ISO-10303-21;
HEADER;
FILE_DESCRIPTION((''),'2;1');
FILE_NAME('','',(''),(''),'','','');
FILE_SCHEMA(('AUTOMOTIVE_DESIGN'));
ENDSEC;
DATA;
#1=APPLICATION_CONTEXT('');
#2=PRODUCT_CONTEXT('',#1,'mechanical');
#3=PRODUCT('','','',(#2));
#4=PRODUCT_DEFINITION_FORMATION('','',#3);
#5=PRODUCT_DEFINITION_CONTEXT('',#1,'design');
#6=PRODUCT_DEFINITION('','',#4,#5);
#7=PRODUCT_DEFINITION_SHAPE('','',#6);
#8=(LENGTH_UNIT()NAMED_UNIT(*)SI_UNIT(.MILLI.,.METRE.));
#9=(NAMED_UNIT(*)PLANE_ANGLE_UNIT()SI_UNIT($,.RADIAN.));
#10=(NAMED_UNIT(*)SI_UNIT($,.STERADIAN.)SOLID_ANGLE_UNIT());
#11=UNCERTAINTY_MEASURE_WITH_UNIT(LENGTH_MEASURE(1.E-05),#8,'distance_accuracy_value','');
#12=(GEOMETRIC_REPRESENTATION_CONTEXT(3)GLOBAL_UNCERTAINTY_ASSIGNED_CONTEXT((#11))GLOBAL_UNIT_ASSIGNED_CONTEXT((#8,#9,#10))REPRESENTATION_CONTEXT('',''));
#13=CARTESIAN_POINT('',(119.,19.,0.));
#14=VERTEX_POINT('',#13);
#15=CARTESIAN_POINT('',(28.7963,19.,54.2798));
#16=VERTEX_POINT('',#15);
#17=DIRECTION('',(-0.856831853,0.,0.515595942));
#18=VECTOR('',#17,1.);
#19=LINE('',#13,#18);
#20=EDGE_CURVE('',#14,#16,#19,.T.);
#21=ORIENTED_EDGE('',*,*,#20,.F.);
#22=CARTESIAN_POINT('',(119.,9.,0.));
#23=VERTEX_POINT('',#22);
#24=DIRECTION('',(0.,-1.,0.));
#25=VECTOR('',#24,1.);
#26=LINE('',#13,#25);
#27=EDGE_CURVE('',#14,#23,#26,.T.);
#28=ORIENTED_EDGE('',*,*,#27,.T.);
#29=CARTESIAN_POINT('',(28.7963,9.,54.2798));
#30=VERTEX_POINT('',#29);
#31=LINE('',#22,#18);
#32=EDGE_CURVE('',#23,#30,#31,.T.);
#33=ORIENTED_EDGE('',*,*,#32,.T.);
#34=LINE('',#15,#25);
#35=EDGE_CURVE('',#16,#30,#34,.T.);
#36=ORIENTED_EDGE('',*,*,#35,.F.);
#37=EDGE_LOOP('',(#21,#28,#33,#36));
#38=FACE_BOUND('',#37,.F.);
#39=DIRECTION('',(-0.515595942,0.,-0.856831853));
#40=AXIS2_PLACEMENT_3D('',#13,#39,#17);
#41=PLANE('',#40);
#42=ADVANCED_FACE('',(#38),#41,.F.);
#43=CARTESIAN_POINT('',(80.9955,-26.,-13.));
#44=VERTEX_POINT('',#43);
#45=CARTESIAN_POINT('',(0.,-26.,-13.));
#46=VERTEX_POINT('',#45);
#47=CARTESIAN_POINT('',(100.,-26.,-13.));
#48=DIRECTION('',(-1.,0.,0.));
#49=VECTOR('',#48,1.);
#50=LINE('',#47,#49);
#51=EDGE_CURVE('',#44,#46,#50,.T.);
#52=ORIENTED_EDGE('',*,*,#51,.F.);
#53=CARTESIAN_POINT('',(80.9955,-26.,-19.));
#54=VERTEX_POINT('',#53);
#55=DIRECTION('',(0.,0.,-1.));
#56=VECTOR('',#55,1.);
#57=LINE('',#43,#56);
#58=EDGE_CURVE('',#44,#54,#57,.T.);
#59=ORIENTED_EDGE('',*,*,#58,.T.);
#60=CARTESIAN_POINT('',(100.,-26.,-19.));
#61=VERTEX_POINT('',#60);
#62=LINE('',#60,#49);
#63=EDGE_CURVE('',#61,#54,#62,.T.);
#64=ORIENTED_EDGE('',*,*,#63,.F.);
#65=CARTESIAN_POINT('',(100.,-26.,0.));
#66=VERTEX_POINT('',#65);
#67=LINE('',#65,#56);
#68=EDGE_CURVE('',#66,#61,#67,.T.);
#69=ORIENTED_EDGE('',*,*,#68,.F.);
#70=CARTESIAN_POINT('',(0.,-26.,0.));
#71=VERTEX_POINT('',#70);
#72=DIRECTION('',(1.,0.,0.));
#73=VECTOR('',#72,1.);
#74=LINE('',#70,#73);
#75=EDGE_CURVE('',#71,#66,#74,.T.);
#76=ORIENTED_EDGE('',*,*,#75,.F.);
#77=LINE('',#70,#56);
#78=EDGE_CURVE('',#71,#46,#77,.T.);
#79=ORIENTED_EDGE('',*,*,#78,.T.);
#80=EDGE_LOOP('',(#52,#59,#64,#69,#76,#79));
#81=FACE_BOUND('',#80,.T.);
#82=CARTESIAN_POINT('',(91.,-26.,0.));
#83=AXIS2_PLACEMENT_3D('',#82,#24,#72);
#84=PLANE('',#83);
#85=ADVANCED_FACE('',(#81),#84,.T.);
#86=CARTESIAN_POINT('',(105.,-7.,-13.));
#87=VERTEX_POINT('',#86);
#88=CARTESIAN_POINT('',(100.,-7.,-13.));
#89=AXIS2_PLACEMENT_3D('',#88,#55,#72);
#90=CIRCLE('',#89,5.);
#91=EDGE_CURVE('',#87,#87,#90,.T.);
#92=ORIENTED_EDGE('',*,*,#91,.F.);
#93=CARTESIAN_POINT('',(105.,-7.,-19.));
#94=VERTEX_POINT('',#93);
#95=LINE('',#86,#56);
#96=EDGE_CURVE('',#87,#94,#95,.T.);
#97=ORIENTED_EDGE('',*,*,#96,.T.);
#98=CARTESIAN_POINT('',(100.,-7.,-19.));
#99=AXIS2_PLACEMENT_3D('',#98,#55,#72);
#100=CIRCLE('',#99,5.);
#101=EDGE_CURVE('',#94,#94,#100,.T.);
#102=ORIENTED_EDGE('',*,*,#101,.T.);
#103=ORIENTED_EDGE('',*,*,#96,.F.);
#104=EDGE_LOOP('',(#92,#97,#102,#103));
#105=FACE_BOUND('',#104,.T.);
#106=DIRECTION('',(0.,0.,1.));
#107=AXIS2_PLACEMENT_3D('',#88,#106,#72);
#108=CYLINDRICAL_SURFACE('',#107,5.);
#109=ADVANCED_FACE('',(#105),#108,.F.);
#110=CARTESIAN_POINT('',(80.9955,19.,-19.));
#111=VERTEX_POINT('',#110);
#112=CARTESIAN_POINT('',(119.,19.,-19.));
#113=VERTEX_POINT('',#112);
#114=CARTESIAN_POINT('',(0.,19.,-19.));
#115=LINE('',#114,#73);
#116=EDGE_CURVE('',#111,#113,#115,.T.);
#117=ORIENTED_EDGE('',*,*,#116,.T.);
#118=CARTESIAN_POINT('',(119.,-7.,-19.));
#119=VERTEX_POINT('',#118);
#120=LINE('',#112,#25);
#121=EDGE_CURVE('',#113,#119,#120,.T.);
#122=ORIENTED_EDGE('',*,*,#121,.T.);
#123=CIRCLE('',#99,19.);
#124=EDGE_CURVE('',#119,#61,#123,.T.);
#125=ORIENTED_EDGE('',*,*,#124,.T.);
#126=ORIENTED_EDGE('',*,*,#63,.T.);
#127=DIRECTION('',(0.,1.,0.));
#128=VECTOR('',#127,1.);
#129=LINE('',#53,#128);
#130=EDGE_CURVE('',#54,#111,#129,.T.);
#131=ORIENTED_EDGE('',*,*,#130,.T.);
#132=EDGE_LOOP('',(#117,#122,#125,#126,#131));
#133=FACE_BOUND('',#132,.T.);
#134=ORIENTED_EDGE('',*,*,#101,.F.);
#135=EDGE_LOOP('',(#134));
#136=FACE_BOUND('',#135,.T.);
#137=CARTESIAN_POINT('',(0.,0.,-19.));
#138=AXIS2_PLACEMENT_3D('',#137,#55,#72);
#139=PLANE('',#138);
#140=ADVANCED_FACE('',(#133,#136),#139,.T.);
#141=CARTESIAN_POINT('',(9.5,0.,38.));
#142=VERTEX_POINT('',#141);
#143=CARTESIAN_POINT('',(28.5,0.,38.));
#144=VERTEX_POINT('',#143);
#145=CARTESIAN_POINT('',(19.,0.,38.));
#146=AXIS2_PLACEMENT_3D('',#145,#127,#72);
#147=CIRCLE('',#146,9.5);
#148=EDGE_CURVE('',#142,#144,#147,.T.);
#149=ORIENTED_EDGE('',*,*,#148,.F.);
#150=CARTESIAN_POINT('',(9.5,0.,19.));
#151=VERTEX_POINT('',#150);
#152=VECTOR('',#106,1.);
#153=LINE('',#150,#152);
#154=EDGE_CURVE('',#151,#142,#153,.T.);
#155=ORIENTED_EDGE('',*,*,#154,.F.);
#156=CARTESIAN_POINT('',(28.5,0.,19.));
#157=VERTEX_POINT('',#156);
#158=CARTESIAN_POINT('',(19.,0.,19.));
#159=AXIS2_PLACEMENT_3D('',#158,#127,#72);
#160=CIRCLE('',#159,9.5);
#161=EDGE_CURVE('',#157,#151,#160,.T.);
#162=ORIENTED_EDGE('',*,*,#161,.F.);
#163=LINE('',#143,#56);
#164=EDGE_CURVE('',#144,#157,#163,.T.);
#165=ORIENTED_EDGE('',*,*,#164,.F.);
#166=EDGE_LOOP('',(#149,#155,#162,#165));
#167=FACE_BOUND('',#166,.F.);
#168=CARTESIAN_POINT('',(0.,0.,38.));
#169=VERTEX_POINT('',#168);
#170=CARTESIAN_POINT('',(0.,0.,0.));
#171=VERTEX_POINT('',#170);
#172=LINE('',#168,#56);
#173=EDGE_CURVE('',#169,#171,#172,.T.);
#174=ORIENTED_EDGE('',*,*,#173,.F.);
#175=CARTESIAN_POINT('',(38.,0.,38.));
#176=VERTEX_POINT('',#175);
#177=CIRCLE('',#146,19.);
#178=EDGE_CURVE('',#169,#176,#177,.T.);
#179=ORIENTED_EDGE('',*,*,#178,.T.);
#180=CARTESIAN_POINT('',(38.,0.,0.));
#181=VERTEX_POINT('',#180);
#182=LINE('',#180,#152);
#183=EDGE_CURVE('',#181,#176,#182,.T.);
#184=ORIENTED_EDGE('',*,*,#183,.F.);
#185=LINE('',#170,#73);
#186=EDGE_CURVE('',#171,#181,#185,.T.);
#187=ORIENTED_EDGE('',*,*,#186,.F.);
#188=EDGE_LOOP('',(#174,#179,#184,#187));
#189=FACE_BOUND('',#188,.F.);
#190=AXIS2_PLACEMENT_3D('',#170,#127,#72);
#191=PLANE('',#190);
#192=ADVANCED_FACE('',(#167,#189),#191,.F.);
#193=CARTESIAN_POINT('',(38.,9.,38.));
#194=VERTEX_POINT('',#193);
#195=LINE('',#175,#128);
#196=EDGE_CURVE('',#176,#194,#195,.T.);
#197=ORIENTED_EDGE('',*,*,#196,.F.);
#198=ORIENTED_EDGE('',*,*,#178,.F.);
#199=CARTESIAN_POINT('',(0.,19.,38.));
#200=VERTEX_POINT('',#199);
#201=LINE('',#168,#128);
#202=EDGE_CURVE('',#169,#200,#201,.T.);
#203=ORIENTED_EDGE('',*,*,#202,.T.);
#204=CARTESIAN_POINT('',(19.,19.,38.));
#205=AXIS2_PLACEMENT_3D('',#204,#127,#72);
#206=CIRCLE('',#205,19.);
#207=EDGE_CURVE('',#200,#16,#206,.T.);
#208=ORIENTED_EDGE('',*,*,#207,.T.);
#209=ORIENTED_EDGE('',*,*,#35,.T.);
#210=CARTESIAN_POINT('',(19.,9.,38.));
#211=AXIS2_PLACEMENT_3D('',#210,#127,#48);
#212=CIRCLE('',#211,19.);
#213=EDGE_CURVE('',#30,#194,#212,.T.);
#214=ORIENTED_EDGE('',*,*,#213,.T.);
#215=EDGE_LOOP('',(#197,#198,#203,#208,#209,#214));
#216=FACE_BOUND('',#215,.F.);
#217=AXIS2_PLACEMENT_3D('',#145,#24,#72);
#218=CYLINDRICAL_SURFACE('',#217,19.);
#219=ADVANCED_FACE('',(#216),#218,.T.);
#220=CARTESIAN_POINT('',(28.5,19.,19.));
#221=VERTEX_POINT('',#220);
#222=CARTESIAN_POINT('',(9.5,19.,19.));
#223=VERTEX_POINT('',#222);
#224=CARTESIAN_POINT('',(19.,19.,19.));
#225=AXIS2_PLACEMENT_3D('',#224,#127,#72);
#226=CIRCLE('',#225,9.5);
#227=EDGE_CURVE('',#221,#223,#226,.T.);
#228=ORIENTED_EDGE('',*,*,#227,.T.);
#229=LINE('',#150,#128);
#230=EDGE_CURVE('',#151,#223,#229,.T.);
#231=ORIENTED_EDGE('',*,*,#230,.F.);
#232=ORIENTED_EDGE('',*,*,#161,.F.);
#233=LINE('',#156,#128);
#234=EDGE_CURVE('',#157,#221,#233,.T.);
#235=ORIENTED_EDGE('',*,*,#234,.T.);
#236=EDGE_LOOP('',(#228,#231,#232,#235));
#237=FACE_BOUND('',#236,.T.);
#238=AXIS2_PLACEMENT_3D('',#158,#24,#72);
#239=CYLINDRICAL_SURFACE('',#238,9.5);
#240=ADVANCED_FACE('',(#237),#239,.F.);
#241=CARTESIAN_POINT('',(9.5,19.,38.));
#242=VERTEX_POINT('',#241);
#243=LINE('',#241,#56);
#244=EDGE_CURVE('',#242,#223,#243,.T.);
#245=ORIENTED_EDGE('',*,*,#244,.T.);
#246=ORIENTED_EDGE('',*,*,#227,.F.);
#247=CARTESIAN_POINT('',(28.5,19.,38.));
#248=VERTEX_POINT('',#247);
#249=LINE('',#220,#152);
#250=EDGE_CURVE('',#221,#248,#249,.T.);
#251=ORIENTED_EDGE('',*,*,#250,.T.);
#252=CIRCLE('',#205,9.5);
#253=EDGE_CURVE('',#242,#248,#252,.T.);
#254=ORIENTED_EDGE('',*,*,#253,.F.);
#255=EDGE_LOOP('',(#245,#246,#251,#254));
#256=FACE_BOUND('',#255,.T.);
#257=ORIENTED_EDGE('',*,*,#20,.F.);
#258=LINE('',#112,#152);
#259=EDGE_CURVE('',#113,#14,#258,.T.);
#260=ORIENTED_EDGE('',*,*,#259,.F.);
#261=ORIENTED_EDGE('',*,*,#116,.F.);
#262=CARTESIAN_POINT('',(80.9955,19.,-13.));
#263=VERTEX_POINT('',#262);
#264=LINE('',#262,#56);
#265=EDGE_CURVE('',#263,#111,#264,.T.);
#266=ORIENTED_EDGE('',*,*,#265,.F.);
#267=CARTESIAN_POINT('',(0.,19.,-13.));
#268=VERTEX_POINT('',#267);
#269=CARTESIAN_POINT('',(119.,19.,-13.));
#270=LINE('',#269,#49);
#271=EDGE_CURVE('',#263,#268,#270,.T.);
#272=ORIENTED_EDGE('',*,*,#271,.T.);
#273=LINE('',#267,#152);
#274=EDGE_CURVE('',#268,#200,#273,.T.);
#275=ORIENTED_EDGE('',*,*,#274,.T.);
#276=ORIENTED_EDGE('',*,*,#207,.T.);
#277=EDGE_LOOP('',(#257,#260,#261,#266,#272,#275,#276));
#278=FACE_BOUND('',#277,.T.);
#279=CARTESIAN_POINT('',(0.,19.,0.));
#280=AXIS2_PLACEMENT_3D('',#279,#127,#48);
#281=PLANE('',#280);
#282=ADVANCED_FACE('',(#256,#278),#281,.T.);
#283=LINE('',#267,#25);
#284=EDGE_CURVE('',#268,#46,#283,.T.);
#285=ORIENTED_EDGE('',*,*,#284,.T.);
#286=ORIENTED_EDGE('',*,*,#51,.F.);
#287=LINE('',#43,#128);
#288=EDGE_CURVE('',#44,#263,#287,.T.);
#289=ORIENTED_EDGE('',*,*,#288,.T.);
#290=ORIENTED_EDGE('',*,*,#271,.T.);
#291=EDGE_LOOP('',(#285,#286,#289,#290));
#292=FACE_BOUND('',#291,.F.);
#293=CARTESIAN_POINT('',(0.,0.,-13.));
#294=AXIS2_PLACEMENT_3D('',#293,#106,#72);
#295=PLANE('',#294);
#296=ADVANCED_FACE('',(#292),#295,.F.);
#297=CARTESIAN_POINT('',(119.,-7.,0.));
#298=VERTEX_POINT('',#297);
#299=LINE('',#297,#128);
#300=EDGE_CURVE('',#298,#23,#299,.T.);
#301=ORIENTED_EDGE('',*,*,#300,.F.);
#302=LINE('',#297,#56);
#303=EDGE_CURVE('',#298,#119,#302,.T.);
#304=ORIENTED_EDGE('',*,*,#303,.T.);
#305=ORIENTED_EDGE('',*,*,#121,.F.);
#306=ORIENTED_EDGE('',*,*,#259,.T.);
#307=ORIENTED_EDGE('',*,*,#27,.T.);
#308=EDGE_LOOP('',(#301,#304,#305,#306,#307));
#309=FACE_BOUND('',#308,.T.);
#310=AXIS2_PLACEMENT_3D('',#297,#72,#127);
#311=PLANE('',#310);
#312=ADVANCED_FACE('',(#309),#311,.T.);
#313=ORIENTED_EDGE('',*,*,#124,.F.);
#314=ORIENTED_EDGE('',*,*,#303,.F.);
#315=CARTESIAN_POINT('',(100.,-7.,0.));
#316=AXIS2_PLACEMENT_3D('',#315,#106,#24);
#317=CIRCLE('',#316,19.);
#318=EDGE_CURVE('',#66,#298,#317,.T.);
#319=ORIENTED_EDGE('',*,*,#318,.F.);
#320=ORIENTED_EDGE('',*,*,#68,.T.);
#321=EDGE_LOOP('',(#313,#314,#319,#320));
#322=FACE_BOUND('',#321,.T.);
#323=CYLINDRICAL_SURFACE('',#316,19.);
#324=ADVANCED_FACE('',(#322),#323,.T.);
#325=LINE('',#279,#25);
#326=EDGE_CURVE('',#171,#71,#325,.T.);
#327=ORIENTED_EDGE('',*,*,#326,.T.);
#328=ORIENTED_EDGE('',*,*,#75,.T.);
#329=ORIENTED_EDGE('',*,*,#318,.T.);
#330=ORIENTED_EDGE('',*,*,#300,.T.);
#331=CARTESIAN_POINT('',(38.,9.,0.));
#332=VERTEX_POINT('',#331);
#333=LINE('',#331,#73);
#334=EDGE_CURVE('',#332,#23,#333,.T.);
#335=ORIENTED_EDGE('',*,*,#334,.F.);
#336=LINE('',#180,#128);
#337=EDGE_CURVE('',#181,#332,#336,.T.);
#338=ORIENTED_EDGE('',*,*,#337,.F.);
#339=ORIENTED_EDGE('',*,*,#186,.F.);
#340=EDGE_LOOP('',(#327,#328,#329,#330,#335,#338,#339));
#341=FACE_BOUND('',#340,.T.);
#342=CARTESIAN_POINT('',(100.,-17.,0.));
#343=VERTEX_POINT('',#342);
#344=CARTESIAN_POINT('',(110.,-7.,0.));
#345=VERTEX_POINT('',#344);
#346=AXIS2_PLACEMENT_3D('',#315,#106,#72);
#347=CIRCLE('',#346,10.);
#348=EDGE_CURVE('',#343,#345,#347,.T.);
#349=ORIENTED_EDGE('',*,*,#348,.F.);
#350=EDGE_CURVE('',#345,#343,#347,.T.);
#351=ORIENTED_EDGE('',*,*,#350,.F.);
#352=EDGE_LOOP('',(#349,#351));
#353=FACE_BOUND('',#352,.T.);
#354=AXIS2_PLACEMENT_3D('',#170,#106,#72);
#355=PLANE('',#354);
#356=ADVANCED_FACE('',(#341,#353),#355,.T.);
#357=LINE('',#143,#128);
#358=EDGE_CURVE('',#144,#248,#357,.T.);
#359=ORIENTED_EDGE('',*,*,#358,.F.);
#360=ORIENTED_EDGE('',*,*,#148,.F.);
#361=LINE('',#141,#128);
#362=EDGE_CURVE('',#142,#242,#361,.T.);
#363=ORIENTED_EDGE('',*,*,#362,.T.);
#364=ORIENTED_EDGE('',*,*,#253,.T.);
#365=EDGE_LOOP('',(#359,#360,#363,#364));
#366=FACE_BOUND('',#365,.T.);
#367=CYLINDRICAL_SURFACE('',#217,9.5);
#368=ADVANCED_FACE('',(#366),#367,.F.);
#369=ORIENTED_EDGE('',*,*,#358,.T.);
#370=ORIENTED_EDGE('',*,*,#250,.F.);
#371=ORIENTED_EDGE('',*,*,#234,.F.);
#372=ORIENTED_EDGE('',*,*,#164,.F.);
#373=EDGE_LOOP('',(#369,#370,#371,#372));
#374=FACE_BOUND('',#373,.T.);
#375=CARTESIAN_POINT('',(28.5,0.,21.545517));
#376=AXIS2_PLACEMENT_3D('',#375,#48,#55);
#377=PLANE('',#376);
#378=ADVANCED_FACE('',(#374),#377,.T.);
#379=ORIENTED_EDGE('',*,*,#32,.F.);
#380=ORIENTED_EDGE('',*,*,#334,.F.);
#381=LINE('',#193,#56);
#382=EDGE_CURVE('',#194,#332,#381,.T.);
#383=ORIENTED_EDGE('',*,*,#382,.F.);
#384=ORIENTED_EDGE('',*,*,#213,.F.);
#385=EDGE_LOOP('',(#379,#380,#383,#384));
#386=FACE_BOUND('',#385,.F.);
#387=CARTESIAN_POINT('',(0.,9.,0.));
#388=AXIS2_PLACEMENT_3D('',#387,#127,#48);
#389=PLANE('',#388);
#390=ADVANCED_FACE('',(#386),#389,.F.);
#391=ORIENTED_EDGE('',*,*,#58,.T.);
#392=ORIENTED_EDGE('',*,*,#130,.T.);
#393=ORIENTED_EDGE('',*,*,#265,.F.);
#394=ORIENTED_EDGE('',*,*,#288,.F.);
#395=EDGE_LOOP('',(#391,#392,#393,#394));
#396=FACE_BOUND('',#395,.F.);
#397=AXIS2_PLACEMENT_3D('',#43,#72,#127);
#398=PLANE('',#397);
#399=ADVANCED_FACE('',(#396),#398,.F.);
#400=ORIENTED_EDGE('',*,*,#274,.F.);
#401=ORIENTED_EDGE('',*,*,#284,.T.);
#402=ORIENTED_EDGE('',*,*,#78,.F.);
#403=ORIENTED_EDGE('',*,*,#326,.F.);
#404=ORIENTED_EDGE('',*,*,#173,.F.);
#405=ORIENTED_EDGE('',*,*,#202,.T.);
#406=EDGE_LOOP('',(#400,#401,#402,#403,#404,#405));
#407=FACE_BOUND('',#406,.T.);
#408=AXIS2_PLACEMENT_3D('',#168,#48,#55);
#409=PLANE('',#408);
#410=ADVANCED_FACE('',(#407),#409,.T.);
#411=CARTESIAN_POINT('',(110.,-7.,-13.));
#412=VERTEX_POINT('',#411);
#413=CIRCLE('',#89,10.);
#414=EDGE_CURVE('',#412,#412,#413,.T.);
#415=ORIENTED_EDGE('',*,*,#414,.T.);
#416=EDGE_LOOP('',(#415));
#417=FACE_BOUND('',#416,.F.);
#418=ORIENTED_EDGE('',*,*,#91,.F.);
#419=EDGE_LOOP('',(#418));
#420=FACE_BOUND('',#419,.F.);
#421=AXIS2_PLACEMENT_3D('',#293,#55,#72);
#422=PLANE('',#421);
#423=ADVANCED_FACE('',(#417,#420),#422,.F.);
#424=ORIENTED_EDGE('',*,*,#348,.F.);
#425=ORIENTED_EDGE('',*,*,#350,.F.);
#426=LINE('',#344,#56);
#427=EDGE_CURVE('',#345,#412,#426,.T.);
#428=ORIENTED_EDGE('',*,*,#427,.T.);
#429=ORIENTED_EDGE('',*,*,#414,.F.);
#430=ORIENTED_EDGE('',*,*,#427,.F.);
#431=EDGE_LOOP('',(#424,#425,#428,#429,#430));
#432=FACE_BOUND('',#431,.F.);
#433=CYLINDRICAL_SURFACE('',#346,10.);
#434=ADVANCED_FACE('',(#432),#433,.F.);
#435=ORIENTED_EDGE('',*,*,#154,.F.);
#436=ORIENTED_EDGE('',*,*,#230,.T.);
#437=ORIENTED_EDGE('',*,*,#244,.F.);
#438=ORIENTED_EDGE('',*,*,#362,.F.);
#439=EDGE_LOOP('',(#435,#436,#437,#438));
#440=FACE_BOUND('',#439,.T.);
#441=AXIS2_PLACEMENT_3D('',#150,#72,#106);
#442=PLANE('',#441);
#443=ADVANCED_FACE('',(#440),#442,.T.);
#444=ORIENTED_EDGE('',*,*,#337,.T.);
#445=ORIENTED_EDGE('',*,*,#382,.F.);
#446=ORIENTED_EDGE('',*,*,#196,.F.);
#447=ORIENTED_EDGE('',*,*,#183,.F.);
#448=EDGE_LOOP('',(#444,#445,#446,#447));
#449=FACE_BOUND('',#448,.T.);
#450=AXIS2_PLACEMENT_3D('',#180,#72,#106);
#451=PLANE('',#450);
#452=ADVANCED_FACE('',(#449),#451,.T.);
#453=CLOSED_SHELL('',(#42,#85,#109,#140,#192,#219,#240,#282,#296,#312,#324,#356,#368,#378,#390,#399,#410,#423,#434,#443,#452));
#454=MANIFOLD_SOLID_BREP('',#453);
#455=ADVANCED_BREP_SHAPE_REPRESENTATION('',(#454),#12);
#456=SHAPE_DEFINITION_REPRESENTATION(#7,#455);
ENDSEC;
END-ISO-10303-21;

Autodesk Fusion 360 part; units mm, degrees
sketch "Sketch1" plane through (0, 0, 0) normal (0, 1, 0) x (1, 0, 0)
  line L0 (0, 0) -> (38, 0)
  line L1 (38, 0) -> (38, -38)
  line L2 (38, -38) -> (0, -38)
  line L3 (0, -38) -> (0, 0)
  circle A0 centre (19, -38) radius 19
  line L4 (9.5, -38) -> (28.5, -38)
  line L5 (28.5, -38) -> (28.5, -19)
  line L6 (28.5, -19) -> (9.5, -19)
  line L7 (9.5, -19) -> (9.5, -38)
  circle A1 centre (19, -38) radius 9.5
  circle A2 centre (19, -19) radius 9.5
  dimension "d1" = 38
  dimension "d2" = 38
  dimension "d3" = 19
  dimension "d4" = 19
  dimension "d5" = 19
  dimension "d6" = 9.5
extrude "Extrude1" add sketch "Sketch1" along normal blind 19 contours L0 L1 L3 A0 L5 L7 A2 | L2 A0 L7 | L2 A0 A1 | L2 A0 L5 makes body 1
sketch "Sketch1 (2)" plane through (0, 19, 0) normal (0, 1, 0) x (-1, 0, 0) in component "sideline"
  arc A0 (-28.5, 19) -> (-9.5, 19) centre (-19, 19) ccw
  line L0 (-28.5, 19) -> (-28.5, 38)
  arc A1 (-9.5, 38) -> (-28.5, 38) centre (-19, 38) ccw
  line L1 (-9.5, 38) -> (-9.5, 19)
  arc A2 (0, 38) -> (-38, 38) centre (-19, 38) ccw
  line L2 (-38, 38) -> (-38, 0)
  line L3 (-38, 0) -> (0, 0)
  line L4 (0, 0) -> (0, 38)
  line L5 (-38, 0) -> (-119, 0)
  line L6 (-119, 0) -> (-28.7963, 54.2798)
  dimension "d9" = 81
extrude "Extrude1'" add sketch "Sketch1 (2)" against normal blind 10 separate body contours A2 L2 L5 L6 makes body 2 in component "sideline"
combine "Combine1" operation add target body 2 tool bodies 1 in component "sideline"
sketch "Sketch2" plane through (0, 0, 0) normal (0, 0, 1) x (1, 0, 0) in component "sideline"
  line L0 (119, 19) -> (0, 19)
  line L1 (0, 19) -> (0, -26)
  line L2 (0, -26) -> (100, -26)
  line L3 (119, -7) -> (119, 19)
  line L4 (113.8585, -7) -> (125, -7)
  circle A0 centre (100, -7) radius 10
  circle A1 centre (100, -7) radius 5
  arc A2 (100, -26) -> (119, -7) centre (100, -7) ccw
  line L5 (100, -7) -> (100, -33.6154)
  line L6 (100, -26) -> (91, -26)
  line L7 (100, -26) -> (81, -26)
  line L8 (81, -26) -> (81, 19)
  dimension "d19" = 19
extrude "Extrude2" add sketch "Sketch2" against normal blind 13 contours L0 L2 L3 A2 L6 L7 L8 | L0 L1 L2 L8 bodies 2 in component "sideline"
sketch "Sketch3" plane through (0, 0, -13) normal (0, 0, -1) x (1, 0, 0) in component "sideline"
  circle A0 centre (100, 7) radius 10
  line L0 (119, -19) -> (119, 7)
  arc A1 (119, 7) -> (100, 26) centre (100, 7) ccw
  line L1 (100, 26) -> (0, 26)
  line L2 (0, 26) -> (0, -19)
  line L3 (0, -19) -> (119, -19)
  circle A2 centre (100, 7) radius 5
  line L4 (80.9955, 26) -> (80.9955, -19)
  dimension "d22" = 10
extrude "Extrude3" add sketch "Sketch3" along normal blind 6 contours A0 | L0 A1 L1 L3 L4 bodies 2 in component "sideline"
component "sideline" placed x (1, 0, 0) y (0, 1, 0) z (0, 0, 1) at (0, 0, 0)
